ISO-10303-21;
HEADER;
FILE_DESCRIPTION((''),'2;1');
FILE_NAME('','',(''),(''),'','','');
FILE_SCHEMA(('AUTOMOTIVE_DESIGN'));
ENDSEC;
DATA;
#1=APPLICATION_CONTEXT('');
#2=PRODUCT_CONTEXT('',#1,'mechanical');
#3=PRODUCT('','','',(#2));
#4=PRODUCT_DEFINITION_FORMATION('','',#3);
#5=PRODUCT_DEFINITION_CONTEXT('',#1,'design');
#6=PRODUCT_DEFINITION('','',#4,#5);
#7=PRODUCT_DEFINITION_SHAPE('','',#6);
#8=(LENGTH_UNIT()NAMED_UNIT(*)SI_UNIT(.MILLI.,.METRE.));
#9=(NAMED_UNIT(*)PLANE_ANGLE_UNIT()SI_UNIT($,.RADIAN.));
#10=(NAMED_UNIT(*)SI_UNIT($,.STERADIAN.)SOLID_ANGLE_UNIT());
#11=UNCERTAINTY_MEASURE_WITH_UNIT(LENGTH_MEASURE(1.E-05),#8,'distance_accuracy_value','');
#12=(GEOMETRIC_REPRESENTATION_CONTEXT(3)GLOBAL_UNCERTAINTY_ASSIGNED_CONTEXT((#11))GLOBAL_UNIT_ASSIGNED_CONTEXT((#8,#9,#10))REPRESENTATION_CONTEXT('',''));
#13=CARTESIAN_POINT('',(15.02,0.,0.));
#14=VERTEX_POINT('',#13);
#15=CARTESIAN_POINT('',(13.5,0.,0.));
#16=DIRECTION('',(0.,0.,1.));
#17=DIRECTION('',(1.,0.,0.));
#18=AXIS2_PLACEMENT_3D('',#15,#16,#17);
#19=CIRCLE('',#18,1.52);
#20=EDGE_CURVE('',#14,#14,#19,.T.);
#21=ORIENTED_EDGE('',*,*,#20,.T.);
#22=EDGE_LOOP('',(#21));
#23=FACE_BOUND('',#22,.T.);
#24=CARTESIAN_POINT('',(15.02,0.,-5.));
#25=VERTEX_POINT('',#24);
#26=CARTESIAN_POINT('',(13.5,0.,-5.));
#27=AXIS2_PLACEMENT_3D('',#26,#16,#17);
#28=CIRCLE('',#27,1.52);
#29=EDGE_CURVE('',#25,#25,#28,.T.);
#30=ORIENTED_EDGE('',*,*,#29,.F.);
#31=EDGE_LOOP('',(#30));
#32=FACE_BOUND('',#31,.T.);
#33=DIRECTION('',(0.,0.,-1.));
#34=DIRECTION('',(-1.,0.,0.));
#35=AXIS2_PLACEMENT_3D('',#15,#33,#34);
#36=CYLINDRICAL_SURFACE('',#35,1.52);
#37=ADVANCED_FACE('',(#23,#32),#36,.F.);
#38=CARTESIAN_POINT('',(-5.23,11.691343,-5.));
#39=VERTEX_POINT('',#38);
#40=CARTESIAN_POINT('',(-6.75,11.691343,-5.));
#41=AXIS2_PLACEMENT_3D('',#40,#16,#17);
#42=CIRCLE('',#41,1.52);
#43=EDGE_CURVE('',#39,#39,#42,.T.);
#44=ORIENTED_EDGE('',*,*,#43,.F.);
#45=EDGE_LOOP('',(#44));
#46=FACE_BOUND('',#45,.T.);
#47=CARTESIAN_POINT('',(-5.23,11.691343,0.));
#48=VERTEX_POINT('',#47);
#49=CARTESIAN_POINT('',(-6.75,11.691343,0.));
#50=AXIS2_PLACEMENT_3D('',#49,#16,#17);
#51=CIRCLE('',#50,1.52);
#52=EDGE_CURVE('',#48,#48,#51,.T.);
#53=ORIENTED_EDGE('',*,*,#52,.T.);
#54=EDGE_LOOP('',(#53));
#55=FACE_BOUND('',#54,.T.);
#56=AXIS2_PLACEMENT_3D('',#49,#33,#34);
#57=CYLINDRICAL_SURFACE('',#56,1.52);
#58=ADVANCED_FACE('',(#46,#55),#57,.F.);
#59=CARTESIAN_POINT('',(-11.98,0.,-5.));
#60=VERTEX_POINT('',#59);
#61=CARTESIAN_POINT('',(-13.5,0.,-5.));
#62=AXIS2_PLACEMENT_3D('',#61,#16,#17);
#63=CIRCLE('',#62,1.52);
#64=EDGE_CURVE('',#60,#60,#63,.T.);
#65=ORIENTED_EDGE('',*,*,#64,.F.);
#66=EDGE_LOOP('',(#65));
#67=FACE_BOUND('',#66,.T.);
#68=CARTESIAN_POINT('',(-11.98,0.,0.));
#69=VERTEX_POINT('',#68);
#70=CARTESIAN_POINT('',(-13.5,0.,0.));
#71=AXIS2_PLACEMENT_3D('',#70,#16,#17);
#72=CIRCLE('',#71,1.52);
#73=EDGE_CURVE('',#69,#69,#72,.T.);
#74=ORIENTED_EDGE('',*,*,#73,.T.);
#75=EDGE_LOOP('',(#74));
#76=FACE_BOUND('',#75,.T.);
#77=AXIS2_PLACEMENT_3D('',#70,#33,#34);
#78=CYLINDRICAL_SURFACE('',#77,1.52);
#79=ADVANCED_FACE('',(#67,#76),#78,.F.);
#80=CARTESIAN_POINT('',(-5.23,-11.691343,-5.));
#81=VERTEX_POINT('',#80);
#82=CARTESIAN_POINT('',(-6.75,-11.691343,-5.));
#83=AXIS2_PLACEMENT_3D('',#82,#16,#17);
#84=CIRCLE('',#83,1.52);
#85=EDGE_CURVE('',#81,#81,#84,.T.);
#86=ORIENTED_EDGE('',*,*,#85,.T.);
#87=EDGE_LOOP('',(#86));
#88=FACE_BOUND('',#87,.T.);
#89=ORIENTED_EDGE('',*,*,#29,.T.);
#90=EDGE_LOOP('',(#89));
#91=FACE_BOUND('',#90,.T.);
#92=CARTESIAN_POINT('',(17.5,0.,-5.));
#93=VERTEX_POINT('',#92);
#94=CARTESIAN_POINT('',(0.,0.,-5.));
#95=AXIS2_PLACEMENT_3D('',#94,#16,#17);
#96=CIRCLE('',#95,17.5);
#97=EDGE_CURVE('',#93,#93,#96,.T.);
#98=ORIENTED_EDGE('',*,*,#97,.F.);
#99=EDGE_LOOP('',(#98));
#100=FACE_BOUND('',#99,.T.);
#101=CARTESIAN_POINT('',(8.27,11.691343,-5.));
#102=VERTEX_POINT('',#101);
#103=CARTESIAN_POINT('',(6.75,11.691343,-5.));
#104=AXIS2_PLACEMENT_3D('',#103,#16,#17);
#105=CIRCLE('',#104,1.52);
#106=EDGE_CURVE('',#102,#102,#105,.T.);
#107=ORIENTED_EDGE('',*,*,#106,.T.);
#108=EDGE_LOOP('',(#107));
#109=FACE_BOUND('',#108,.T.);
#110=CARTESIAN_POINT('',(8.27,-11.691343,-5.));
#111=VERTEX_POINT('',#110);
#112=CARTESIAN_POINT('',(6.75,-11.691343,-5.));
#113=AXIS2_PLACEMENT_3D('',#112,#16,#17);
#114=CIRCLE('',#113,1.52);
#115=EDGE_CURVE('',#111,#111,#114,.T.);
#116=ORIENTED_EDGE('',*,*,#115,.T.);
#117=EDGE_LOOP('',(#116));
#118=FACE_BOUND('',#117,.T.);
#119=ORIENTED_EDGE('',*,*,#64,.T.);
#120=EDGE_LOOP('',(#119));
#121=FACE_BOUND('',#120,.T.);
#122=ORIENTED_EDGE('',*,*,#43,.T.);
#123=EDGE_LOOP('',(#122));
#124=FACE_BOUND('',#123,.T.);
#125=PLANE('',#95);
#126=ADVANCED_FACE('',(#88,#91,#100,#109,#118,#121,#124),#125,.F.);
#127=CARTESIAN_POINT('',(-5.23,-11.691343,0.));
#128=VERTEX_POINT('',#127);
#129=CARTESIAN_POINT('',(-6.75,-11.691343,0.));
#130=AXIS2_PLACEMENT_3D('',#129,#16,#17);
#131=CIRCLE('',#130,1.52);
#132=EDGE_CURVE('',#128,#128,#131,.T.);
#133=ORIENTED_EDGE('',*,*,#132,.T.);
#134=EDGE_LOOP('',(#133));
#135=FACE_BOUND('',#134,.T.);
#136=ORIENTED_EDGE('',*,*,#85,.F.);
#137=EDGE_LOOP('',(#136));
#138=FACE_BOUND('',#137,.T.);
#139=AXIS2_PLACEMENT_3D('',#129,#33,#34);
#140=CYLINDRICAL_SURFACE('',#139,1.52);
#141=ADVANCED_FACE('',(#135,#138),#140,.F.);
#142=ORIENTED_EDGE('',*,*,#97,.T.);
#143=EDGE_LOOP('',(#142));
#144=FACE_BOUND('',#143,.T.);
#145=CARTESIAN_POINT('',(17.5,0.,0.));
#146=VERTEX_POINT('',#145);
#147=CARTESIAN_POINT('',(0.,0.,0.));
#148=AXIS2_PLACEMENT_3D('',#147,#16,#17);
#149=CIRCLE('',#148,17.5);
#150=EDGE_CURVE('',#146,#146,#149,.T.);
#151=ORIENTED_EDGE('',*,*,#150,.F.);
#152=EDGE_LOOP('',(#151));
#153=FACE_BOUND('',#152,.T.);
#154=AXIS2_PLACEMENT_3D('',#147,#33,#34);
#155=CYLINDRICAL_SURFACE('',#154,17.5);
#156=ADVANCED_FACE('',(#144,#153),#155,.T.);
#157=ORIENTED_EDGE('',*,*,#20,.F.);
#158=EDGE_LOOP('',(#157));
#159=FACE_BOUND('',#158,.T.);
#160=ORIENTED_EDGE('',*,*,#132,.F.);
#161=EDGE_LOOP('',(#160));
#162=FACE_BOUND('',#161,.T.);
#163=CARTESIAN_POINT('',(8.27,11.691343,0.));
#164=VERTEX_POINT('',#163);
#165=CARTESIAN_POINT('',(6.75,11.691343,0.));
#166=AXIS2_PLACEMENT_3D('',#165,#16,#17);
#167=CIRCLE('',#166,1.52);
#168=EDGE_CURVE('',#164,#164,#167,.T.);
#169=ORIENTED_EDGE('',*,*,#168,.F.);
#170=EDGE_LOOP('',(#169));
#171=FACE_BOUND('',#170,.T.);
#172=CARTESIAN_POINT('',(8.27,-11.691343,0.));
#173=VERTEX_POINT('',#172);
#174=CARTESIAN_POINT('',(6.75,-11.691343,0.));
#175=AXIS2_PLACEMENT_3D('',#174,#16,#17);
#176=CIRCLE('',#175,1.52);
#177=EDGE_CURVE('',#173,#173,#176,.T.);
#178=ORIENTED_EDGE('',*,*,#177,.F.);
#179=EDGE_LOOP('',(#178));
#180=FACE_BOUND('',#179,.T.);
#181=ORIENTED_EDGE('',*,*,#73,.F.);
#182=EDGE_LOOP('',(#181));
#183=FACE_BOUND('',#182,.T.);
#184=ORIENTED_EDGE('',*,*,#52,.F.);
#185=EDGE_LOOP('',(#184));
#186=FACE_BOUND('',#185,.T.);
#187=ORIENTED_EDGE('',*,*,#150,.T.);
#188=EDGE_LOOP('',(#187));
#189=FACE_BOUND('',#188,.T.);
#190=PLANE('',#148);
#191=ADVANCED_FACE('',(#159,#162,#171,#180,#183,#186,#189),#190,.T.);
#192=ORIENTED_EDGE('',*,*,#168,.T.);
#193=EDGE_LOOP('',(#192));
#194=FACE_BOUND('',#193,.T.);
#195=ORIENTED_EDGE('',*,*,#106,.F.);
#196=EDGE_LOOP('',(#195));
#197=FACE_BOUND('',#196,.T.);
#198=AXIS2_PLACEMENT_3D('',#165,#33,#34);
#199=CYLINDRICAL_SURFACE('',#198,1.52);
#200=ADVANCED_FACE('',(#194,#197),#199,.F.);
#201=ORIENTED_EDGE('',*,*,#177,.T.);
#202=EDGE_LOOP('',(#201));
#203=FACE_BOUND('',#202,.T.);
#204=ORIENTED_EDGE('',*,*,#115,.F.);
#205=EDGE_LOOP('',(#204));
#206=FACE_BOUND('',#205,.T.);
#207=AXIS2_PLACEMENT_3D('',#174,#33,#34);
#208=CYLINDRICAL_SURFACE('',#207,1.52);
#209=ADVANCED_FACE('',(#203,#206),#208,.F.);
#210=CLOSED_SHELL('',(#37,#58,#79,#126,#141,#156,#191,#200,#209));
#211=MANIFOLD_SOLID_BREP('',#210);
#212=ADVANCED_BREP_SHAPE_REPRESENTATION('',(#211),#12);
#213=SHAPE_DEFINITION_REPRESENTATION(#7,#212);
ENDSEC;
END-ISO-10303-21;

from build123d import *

# Parameters (mm, degrees)
ROTATING_OUTPUT_INTERFACE_START = -5
PROFILE_1_R                     = 17.5
PROFILE_1_R_2                   = 1.52
ROTATING_OUTPUT_INTERFACE_DEPTH = 5


with BuildPart() as part:
    # Profile_1 → Rotating_output_interface (new body)
    with BuildSketch(Plane.XY.offset(ROTATING_OUTPUT_INTERFACE_START)):
        Circle(PROFILE_1_R)
        with Locations((13.5, 0)):
            Circle(PROFILE_1_R_2, mode=Mode.SUBTRACT)
        with Locations((6.75, 11.691342951)):
            Circle(PROFILE_1_R_2, mode=Mode.SUBTRACT)
        with Locations((-6.75, 11.691342951)):
            Circle(PROFILE_1_R_2, mode=Mode.SUBTRACT)
        with Locations((-13.5, 0)):
            Circle(PROFILE_1_R_2, mode=Mode.SUBTRACT)
        with Locations((-6.75, -11.691342951)):
            Circle(PROFILE_1_R_2, mode=Mode.SUBTRACT)
        with Locations((6.75, -11.691342951)):
            Circle(PROFILE_1_R_2, mode=Mode.SUBTRACT)
    extrude(amount=ROTATING_OUTPUT_INTERFACE_DEPTH)


solid = part.part
